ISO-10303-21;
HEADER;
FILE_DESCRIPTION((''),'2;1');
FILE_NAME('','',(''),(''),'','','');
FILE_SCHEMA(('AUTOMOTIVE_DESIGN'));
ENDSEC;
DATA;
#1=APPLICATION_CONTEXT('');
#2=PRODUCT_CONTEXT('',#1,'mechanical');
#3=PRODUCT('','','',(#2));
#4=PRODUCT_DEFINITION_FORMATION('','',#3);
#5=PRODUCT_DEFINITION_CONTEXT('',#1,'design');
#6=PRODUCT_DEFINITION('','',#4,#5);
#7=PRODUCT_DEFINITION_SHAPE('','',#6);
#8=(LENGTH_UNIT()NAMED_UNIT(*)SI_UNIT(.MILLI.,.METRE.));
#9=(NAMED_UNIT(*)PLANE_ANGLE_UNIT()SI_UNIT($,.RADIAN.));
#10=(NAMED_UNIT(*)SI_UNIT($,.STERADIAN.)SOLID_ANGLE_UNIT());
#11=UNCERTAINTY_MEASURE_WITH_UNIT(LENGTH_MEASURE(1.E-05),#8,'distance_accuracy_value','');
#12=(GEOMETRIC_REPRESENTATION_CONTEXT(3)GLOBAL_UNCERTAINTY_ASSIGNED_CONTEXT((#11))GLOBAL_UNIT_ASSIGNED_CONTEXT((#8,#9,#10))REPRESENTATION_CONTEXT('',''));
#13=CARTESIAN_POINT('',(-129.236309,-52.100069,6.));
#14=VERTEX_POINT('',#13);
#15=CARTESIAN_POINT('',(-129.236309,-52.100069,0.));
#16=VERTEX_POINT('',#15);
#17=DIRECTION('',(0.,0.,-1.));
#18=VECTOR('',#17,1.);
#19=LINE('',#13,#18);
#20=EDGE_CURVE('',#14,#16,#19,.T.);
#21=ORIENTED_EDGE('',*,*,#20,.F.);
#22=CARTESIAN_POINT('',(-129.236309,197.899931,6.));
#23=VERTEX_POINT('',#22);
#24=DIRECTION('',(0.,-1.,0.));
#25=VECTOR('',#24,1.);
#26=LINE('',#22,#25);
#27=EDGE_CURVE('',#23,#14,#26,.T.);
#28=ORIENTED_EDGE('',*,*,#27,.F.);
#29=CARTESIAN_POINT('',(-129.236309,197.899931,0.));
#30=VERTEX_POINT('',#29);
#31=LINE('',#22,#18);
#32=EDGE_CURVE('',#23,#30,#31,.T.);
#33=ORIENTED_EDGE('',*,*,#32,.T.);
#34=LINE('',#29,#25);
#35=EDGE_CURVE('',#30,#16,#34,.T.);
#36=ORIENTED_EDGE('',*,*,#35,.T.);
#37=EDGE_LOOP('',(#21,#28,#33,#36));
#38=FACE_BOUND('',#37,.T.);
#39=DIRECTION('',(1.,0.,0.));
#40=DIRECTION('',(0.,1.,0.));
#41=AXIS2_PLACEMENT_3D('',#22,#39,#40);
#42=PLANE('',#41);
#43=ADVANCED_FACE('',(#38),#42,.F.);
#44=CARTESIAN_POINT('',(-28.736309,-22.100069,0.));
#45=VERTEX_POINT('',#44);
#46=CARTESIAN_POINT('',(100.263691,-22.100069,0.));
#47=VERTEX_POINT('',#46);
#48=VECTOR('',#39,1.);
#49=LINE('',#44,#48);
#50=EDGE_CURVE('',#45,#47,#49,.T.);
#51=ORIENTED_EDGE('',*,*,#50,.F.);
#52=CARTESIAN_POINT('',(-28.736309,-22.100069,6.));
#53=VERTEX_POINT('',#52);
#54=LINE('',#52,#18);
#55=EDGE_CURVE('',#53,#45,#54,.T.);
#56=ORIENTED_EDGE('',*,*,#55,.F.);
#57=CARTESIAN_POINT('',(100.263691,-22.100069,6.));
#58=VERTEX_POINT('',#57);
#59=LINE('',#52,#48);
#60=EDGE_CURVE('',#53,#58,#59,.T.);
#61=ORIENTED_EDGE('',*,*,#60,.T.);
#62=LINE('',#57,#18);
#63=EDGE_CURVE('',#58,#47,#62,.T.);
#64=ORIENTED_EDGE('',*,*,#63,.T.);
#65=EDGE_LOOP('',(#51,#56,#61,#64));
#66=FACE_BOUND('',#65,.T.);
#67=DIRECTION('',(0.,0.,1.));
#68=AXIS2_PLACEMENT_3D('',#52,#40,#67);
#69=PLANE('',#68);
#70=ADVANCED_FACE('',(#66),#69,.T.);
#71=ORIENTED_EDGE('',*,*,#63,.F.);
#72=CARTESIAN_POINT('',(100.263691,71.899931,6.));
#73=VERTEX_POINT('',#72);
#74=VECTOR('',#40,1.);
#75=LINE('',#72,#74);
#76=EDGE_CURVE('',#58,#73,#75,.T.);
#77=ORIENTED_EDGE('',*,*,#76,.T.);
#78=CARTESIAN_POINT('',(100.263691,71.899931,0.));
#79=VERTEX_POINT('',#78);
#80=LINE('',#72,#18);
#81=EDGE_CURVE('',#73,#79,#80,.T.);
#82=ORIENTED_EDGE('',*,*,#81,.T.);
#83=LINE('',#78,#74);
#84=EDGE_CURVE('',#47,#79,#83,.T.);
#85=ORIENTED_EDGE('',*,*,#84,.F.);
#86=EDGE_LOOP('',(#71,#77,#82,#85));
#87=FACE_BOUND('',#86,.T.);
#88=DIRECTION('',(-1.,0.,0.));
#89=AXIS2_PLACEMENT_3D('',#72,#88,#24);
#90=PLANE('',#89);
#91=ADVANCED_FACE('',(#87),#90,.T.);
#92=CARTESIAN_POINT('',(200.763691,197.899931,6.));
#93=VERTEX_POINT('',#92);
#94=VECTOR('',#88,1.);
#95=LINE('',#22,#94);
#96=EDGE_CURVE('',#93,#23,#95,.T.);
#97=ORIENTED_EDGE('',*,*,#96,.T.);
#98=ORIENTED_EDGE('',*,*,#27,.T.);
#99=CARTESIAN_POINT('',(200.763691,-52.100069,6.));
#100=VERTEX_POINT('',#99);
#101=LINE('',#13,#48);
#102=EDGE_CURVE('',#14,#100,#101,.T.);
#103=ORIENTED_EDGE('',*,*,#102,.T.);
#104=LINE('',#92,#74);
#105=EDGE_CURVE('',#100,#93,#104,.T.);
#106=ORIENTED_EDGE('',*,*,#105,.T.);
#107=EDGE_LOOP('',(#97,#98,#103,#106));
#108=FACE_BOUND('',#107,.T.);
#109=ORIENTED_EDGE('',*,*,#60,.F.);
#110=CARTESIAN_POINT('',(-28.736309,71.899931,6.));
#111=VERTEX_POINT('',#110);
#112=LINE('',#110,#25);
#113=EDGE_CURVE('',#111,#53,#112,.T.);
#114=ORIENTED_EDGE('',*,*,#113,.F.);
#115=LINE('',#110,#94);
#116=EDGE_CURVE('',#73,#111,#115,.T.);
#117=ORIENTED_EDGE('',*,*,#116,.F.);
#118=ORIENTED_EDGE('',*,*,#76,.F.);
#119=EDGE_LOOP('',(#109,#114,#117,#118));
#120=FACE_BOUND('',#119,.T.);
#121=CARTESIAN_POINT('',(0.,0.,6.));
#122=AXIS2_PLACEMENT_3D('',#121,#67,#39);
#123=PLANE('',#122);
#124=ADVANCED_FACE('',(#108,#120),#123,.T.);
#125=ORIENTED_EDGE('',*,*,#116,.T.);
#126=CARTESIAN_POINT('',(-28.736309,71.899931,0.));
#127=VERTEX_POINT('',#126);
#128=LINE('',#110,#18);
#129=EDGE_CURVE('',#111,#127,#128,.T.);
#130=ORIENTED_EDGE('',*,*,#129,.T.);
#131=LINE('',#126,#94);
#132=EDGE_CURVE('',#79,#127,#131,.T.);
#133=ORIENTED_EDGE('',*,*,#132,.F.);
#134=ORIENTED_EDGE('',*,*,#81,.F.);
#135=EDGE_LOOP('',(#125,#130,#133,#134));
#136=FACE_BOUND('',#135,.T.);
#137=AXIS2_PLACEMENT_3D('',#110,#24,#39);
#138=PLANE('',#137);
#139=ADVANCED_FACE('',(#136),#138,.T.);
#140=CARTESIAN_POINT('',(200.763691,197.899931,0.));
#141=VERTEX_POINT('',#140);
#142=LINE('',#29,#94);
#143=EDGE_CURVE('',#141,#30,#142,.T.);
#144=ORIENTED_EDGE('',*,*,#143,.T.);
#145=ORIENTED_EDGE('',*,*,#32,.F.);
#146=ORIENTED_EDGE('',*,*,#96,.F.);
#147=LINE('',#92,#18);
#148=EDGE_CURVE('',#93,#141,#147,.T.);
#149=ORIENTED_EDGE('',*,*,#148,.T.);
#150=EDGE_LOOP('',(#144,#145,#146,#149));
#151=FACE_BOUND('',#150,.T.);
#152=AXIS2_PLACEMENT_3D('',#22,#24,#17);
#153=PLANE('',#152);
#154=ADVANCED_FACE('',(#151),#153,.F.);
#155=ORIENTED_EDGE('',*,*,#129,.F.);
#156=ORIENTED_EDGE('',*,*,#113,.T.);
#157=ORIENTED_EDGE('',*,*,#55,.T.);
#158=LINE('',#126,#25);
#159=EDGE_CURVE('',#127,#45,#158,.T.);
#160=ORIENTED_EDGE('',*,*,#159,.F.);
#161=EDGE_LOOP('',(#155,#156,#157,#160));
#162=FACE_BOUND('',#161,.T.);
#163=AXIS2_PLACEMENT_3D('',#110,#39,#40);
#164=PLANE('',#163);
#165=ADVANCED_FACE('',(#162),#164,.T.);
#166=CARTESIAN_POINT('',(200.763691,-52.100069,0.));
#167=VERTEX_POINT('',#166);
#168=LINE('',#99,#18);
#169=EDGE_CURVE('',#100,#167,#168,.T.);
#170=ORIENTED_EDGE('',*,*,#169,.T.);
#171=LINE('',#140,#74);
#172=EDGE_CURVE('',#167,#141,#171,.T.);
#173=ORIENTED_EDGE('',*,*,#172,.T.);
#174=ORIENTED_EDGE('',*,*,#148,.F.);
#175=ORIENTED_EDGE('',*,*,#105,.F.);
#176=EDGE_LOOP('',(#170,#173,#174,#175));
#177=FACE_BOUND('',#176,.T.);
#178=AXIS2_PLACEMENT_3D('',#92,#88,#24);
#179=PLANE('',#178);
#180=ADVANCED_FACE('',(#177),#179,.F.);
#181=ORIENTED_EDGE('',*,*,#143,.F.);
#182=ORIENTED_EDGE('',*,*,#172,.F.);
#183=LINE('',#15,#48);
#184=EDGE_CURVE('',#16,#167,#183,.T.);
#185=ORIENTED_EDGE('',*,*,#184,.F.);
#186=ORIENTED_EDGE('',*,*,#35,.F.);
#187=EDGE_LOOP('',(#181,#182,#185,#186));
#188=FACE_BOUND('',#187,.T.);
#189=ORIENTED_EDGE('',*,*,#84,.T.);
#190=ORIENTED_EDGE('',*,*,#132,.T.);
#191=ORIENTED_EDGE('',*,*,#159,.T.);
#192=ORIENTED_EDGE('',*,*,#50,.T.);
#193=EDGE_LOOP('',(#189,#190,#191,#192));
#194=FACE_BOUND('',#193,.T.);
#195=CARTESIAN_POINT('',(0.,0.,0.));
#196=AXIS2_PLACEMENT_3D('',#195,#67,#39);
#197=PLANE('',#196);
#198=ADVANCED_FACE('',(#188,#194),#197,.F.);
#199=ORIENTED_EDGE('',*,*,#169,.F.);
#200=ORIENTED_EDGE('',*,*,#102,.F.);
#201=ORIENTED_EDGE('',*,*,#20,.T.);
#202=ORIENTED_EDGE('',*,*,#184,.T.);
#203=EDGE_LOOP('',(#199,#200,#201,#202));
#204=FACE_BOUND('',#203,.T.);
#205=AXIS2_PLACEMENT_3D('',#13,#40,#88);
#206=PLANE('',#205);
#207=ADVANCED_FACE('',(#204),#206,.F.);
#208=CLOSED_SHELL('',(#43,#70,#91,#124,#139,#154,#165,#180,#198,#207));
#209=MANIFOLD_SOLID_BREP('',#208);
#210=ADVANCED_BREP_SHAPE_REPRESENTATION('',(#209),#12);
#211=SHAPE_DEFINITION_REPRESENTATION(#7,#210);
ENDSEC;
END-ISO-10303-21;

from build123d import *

# Parameters (mm, degrees)
ESQUISSE1_W        = 330
ESQUISSE1_H        = 250
ESQUISSE1_W_2      = 129
ESQUISSE1_H_2      = 94
BOSS_EXTRU_1_DEPTH = 6


with BuildPart() as part:
    # Esquisse1 → Boss.-Extru.1 (new body)
    with BuildSketch(Plane.XY):
        with Locations((35.763691323, 72.899931008)):
            Rectangle(ESQUISSE1_W, ESQUISSE1_H)
        with Locations((35.763691323, 24.899931008)):
            Rectangle(ESQUISSE1_W_2, ESQUISSE1_H_2, mode=Mode.SUBTRACT)
    extrude(amount=BOSS_EXTRU_1_DEPTH)


solid = part.part
